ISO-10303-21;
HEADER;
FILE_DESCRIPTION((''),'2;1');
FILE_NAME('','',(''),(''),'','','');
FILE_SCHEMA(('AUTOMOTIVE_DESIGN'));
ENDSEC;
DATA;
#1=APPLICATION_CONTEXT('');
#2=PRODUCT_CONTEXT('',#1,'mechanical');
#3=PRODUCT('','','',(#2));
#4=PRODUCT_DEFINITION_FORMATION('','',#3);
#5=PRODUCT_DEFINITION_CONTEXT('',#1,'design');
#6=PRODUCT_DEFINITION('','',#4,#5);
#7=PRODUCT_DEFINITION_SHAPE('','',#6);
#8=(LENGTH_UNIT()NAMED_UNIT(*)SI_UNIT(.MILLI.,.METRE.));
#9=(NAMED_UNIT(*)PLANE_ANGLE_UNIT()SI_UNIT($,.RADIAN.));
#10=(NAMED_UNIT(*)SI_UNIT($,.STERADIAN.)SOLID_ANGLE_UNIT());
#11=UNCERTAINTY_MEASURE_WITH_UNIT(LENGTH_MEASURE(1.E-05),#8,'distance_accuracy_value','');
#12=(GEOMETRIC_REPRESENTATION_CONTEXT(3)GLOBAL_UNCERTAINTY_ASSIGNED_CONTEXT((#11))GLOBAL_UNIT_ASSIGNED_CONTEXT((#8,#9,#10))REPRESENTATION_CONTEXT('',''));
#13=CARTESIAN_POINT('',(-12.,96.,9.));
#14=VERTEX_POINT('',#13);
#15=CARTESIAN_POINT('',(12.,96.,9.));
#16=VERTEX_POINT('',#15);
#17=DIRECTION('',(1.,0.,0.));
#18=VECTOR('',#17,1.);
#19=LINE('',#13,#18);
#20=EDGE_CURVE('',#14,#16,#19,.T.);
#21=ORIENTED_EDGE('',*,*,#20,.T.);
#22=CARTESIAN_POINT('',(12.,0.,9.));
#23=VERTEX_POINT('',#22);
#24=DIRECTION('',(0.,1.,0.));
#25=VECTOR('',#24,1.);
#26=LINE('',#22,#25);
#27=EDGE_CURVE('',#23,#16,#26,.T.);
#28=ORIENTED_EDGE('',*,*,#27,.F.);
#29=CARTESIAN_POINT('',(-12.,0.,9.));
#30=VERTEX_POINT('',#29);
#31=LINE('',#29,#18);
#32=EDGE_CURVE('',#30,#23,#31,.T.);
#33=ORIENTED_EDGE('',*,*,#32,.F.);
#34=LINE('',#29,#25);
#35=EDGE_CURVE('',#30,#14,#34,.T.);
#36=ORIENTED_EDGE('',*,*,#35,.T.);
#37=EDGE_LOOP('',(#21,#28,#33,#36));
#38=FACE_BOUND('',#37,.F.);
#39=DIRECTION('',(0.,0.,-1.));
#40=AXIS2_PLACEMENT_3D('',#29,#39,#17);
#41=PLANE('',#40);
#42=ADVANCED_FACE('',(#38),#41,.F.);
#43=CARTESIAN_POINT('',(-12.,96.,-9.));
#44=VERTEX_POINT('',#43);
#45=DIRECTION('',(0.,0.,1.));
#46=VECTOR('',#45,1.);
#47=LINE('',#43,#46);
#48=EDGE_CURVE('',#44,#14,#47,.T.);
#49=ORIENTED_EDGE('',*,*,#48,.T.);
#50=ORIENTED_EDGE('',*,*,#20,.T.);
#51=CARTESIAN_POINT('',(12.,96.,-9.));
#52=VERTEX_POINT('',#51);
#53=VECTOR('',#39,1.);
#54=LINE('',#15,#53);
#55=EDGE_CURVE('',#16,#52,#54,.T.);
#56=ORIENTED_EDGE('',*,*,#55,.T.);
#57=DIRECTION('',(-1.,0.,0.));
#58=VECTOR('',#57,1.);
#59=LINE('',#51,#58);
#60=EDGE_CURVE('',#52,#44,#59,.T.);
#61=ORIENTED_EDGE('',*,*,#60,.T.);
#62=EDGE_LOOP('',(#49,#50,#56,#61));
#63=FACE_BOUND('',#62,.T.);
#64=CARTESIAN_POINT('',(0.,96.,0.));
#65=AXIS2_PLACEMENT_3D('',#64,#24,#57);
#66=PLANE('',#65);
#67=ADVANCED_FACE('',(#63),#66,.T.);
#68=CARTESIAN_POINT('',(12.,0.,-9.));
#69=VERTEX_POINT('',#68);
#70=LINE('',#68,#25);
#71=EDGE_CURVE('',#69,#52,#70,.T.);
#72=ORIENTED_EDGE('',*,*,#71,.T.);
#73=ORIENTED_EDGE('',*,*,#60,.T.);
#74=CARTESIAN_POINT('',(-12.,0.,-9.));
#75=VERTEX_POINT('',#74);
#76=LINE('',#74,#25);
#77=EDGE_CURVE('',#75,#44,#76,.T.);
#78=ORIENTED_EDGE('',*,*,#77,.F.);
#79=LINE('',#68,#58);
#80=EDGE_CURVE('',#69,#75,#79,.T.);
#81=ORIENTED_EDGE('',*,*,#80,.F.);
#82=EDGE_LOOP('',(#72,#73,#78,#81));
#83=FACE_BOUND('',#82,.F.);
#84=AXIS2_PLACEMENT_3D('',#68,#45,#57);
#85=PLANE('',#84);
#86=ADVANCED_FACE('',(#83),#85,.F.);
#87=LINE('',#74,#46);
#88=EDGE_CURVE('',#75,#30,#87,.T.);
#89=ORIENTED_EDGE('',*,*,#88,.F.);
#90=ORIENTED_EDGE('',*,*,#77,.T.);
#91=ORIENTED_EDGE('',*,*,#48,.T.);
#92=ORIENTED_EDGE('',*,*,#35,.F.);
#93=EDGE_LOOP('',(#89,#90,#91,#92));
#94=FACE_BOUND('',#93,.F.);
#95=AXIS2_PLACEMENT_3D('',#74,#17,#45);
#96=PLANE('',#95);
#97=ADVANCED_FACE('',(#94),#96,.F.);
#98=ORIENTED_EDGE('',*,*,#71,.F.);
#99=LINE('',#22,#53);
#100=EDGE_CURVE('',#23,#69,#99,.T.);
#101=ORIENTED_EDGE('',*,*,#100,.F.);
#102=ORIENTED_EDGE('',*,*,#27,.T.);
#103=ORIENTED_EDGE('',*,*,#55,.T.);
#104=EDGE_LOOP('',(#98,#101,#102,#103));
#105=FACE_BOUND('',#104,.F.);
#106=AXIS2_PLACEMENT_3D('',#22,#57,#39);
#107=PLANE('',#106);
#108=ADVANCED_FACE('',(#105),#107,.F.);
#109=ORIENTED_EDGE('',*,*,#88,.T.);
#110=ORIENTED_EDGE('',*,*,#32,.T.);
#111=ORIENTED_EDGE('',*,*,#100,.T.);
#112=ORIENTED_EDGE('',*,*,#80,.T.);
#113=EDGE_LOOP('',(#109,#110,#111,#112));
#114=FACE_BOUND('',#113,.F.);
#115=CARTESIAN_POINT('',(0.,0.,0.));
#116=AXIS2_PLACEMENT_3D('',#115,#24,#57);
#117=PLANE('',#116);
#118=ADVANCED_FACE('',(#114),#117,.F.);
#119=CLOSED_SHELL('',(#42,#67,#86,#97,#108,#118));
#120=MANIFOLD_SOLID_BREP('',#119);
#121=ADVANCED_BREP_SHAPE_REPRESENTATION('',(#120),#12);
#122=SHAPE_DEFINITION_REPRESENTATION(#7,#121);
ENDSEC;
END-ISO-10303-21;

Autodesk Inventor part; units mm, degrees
ref_plane "YZ Plane" through (0, 0, 0) normal (1, 0, 0) x (0, 1, 0)
ref_plane "XZ Plane" through (0, 0, 0) normal (0, 1, 0) x (-1, 0, 0)
ref_plane "XY Plane" through (0, 0, 0) normal (0, 0, 1) x (1, 0, 0)
sketch "草圖4" plane through (0, 0, 0) normal (0, 1, 0) x (-1, 0, 0)
  line L0 (12, 9) -> (-12, 9)
  line L1 (-12, 9) -> (-12, -9)
  line L2 (-12, -9) -> (12, -9)
  line L3 (12, -9) -> (12, 9)
  line L4 (12, 9) -> (-12, -9) construction
  line L5 (-12, 9) -> (12, -9) construction
  point P0 (0, 0)
  point P1 (0, 0)
  dimension "d23" = 18
  dimension "d24" = 24
extrude "擠出4" add sketch "草圖4" along normal blind 96
equation "\"width\" = 80 * ratio"
equation "\"height\" = 20 * ratio"
equation "\"length\" = width"
equation "\"leg_length\" = ratio"
equation "\"ratio\" = 1.2"
equation "\"thickness\" = 5 * ratio"
properties part number "trimmed_block"
